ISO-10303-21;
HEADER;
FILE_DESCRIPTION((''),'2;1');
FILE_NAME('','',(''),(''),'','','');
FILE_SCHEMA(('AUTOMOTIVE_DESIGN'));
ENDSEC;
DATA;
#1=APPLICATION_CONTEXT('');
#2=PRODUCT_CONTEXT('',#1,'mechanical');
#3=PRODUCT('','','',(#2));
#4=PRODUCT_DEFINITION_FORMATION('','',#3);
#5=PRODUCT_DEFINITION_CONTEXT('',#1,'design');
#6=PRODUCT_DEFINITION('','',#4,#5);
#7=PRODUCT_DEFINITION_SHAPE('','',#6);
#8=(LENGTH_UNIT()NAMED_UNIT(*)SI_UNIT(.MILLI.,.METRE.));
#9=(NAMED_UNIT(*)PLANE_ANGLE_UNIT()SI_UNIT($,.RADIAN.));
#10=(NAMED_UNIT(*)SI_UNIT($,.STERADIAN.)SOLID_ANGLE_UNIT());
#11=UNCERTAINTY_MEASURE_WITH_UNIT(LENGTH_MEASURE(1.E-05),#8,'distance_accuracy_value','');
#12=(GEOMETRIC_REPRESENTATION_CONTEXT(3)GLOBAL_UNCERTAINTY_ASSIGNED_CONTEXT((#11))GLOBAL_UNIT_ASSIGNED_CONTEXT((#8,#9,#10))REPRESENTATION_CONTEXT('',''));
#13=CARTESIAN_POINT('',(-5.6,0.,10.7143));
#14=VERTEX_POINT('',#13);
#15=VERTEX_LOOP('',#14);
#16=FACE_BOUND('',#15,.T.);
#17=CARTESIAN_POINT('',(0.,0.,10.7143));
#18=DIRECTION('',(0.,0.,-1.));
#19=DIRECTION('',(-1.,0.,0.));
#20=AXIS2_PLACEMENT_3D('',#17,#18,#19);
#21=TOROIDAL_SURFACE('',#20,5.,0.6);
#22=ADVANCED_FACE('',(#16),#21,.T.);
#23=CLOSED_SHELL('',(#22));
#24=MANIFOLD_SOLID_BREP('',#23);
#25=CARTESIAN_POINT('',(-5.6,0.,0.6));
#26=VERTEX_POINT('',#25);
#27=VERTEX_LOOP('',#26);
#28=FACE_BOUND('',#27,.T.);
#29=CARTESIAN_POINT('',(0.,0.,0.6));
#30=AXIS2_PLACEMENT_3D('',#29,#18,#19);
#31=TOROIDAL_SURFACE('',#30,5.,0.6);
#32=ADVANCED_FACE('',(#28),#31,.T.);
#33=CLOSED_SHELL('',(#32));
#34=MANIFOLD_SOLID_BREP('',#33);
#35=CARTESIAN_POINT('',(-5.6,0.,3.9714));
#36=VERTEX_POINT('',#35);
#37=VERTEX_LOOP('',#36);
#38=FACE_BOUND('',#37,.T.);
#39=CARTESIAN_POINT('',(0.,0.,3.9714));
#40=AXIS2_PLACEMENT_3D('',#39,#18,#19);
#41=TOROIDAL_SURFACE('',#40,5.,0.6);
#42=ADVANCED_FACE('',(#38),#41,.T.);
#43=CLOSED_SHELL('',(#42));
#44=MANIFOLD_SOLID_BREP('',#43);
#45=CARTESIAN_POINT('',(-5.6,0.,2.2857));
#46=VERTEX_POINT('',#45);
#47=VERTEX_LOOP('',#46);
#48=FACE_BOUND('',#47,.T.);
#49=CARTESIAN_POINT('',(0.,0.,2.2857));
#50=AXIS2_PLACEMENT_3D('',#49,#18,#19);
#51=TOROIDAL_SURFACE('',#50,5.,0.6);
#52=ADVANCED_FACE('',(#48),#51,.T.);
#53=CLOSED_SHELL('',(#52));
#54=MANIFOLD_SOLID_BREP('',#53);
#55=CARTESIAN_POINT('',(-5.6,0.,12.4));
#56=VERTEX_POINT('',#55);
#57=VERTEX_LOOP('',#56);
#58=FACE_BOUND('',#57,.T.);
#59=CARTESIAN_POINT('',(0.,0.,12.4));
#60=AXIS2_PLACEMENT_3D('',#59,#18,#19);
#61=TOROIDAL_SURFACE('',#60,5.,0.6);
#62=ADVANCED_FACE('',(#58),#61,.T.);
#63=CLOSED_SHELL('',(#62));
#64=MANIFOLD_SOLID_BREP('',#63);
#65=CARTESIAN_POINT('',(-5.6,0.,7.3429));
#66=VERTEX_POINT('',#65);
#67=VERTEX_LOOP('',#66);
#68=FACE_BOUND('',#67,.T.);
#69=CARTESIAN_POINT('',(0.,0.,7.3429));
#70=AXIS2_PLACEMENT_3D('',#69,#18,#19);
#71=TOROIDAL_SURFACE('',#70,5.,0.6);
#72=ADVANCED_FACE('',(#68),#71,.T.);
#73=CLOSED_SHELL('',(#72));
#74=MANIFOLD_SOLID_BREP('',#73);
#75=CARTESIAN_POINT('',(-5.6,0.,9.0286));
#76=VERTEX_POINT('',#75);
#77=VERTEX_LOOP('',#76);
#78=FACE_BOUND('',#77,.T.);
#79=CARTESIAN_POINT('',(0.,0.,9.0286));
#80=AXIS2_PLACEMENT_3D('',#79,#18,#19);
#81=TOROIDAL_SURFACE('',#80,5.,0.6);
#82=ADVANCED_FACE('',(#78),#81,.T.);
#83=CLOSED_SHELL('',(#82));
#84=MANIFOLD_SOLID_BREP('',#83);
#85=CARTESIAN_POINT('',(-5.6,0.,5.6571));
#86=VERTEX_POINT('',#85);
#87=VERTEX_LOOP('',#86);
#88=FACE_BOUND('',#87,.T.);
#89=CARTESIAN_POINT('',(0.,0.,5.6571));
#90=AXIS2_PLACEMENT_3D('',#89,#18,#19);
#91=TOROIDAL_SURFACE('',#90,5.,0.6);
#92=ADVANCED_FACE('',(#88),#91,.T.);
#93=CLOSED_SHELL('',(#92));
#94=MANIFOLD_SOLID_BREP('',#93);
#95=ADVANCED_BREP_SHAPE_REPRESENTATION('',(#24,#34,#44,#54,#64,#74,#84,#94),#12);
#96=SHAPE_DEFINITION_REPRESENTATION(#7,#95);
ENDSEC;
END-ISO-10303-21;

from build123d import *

# Parameters (mm, degrees)
SKETCH_1_R = 0.6


with BuildPart() as part:
    # 草图1 → 旋转1 (revolve)
    with BuildSketch(Plane(origin=(0, 0, 0), x_dir=(1, 0, 0), z_dir=(0, 1, 0)), mode=Mode.PRIVATE) as revolve_1_sk:
        with Locations((5, -0.6)):
            Circle(SKETCH_1_R)
        with Locations((5, -2.2857)):
            Circle(SKETCH_1_R)
        with Locations((5, -3.9714)):
            Circle(SKETCH_1_R)
        with Locations((5, -5.6571)):
            Circle(SKETCH_1_R)
        with Locations((5, -7.3429)):
            Circle(SKETCH_1_R)
        with Locations((5, -9.0286)):
            Circle(SKETCH_1_R)
        with Locations((5, -10.7143)):
            Circle(SKETCH_1_R)
        with Locations((5, -12.4)):
            Circle(SKETCH_1_R)
    revolve(revolve_1_sk.sketch.rotate(Axis((0, 0, 0), (0, 0, 1)), 180), axis=Axis((0, 0, 0), (0, 0, 1)))


solid = part.part
